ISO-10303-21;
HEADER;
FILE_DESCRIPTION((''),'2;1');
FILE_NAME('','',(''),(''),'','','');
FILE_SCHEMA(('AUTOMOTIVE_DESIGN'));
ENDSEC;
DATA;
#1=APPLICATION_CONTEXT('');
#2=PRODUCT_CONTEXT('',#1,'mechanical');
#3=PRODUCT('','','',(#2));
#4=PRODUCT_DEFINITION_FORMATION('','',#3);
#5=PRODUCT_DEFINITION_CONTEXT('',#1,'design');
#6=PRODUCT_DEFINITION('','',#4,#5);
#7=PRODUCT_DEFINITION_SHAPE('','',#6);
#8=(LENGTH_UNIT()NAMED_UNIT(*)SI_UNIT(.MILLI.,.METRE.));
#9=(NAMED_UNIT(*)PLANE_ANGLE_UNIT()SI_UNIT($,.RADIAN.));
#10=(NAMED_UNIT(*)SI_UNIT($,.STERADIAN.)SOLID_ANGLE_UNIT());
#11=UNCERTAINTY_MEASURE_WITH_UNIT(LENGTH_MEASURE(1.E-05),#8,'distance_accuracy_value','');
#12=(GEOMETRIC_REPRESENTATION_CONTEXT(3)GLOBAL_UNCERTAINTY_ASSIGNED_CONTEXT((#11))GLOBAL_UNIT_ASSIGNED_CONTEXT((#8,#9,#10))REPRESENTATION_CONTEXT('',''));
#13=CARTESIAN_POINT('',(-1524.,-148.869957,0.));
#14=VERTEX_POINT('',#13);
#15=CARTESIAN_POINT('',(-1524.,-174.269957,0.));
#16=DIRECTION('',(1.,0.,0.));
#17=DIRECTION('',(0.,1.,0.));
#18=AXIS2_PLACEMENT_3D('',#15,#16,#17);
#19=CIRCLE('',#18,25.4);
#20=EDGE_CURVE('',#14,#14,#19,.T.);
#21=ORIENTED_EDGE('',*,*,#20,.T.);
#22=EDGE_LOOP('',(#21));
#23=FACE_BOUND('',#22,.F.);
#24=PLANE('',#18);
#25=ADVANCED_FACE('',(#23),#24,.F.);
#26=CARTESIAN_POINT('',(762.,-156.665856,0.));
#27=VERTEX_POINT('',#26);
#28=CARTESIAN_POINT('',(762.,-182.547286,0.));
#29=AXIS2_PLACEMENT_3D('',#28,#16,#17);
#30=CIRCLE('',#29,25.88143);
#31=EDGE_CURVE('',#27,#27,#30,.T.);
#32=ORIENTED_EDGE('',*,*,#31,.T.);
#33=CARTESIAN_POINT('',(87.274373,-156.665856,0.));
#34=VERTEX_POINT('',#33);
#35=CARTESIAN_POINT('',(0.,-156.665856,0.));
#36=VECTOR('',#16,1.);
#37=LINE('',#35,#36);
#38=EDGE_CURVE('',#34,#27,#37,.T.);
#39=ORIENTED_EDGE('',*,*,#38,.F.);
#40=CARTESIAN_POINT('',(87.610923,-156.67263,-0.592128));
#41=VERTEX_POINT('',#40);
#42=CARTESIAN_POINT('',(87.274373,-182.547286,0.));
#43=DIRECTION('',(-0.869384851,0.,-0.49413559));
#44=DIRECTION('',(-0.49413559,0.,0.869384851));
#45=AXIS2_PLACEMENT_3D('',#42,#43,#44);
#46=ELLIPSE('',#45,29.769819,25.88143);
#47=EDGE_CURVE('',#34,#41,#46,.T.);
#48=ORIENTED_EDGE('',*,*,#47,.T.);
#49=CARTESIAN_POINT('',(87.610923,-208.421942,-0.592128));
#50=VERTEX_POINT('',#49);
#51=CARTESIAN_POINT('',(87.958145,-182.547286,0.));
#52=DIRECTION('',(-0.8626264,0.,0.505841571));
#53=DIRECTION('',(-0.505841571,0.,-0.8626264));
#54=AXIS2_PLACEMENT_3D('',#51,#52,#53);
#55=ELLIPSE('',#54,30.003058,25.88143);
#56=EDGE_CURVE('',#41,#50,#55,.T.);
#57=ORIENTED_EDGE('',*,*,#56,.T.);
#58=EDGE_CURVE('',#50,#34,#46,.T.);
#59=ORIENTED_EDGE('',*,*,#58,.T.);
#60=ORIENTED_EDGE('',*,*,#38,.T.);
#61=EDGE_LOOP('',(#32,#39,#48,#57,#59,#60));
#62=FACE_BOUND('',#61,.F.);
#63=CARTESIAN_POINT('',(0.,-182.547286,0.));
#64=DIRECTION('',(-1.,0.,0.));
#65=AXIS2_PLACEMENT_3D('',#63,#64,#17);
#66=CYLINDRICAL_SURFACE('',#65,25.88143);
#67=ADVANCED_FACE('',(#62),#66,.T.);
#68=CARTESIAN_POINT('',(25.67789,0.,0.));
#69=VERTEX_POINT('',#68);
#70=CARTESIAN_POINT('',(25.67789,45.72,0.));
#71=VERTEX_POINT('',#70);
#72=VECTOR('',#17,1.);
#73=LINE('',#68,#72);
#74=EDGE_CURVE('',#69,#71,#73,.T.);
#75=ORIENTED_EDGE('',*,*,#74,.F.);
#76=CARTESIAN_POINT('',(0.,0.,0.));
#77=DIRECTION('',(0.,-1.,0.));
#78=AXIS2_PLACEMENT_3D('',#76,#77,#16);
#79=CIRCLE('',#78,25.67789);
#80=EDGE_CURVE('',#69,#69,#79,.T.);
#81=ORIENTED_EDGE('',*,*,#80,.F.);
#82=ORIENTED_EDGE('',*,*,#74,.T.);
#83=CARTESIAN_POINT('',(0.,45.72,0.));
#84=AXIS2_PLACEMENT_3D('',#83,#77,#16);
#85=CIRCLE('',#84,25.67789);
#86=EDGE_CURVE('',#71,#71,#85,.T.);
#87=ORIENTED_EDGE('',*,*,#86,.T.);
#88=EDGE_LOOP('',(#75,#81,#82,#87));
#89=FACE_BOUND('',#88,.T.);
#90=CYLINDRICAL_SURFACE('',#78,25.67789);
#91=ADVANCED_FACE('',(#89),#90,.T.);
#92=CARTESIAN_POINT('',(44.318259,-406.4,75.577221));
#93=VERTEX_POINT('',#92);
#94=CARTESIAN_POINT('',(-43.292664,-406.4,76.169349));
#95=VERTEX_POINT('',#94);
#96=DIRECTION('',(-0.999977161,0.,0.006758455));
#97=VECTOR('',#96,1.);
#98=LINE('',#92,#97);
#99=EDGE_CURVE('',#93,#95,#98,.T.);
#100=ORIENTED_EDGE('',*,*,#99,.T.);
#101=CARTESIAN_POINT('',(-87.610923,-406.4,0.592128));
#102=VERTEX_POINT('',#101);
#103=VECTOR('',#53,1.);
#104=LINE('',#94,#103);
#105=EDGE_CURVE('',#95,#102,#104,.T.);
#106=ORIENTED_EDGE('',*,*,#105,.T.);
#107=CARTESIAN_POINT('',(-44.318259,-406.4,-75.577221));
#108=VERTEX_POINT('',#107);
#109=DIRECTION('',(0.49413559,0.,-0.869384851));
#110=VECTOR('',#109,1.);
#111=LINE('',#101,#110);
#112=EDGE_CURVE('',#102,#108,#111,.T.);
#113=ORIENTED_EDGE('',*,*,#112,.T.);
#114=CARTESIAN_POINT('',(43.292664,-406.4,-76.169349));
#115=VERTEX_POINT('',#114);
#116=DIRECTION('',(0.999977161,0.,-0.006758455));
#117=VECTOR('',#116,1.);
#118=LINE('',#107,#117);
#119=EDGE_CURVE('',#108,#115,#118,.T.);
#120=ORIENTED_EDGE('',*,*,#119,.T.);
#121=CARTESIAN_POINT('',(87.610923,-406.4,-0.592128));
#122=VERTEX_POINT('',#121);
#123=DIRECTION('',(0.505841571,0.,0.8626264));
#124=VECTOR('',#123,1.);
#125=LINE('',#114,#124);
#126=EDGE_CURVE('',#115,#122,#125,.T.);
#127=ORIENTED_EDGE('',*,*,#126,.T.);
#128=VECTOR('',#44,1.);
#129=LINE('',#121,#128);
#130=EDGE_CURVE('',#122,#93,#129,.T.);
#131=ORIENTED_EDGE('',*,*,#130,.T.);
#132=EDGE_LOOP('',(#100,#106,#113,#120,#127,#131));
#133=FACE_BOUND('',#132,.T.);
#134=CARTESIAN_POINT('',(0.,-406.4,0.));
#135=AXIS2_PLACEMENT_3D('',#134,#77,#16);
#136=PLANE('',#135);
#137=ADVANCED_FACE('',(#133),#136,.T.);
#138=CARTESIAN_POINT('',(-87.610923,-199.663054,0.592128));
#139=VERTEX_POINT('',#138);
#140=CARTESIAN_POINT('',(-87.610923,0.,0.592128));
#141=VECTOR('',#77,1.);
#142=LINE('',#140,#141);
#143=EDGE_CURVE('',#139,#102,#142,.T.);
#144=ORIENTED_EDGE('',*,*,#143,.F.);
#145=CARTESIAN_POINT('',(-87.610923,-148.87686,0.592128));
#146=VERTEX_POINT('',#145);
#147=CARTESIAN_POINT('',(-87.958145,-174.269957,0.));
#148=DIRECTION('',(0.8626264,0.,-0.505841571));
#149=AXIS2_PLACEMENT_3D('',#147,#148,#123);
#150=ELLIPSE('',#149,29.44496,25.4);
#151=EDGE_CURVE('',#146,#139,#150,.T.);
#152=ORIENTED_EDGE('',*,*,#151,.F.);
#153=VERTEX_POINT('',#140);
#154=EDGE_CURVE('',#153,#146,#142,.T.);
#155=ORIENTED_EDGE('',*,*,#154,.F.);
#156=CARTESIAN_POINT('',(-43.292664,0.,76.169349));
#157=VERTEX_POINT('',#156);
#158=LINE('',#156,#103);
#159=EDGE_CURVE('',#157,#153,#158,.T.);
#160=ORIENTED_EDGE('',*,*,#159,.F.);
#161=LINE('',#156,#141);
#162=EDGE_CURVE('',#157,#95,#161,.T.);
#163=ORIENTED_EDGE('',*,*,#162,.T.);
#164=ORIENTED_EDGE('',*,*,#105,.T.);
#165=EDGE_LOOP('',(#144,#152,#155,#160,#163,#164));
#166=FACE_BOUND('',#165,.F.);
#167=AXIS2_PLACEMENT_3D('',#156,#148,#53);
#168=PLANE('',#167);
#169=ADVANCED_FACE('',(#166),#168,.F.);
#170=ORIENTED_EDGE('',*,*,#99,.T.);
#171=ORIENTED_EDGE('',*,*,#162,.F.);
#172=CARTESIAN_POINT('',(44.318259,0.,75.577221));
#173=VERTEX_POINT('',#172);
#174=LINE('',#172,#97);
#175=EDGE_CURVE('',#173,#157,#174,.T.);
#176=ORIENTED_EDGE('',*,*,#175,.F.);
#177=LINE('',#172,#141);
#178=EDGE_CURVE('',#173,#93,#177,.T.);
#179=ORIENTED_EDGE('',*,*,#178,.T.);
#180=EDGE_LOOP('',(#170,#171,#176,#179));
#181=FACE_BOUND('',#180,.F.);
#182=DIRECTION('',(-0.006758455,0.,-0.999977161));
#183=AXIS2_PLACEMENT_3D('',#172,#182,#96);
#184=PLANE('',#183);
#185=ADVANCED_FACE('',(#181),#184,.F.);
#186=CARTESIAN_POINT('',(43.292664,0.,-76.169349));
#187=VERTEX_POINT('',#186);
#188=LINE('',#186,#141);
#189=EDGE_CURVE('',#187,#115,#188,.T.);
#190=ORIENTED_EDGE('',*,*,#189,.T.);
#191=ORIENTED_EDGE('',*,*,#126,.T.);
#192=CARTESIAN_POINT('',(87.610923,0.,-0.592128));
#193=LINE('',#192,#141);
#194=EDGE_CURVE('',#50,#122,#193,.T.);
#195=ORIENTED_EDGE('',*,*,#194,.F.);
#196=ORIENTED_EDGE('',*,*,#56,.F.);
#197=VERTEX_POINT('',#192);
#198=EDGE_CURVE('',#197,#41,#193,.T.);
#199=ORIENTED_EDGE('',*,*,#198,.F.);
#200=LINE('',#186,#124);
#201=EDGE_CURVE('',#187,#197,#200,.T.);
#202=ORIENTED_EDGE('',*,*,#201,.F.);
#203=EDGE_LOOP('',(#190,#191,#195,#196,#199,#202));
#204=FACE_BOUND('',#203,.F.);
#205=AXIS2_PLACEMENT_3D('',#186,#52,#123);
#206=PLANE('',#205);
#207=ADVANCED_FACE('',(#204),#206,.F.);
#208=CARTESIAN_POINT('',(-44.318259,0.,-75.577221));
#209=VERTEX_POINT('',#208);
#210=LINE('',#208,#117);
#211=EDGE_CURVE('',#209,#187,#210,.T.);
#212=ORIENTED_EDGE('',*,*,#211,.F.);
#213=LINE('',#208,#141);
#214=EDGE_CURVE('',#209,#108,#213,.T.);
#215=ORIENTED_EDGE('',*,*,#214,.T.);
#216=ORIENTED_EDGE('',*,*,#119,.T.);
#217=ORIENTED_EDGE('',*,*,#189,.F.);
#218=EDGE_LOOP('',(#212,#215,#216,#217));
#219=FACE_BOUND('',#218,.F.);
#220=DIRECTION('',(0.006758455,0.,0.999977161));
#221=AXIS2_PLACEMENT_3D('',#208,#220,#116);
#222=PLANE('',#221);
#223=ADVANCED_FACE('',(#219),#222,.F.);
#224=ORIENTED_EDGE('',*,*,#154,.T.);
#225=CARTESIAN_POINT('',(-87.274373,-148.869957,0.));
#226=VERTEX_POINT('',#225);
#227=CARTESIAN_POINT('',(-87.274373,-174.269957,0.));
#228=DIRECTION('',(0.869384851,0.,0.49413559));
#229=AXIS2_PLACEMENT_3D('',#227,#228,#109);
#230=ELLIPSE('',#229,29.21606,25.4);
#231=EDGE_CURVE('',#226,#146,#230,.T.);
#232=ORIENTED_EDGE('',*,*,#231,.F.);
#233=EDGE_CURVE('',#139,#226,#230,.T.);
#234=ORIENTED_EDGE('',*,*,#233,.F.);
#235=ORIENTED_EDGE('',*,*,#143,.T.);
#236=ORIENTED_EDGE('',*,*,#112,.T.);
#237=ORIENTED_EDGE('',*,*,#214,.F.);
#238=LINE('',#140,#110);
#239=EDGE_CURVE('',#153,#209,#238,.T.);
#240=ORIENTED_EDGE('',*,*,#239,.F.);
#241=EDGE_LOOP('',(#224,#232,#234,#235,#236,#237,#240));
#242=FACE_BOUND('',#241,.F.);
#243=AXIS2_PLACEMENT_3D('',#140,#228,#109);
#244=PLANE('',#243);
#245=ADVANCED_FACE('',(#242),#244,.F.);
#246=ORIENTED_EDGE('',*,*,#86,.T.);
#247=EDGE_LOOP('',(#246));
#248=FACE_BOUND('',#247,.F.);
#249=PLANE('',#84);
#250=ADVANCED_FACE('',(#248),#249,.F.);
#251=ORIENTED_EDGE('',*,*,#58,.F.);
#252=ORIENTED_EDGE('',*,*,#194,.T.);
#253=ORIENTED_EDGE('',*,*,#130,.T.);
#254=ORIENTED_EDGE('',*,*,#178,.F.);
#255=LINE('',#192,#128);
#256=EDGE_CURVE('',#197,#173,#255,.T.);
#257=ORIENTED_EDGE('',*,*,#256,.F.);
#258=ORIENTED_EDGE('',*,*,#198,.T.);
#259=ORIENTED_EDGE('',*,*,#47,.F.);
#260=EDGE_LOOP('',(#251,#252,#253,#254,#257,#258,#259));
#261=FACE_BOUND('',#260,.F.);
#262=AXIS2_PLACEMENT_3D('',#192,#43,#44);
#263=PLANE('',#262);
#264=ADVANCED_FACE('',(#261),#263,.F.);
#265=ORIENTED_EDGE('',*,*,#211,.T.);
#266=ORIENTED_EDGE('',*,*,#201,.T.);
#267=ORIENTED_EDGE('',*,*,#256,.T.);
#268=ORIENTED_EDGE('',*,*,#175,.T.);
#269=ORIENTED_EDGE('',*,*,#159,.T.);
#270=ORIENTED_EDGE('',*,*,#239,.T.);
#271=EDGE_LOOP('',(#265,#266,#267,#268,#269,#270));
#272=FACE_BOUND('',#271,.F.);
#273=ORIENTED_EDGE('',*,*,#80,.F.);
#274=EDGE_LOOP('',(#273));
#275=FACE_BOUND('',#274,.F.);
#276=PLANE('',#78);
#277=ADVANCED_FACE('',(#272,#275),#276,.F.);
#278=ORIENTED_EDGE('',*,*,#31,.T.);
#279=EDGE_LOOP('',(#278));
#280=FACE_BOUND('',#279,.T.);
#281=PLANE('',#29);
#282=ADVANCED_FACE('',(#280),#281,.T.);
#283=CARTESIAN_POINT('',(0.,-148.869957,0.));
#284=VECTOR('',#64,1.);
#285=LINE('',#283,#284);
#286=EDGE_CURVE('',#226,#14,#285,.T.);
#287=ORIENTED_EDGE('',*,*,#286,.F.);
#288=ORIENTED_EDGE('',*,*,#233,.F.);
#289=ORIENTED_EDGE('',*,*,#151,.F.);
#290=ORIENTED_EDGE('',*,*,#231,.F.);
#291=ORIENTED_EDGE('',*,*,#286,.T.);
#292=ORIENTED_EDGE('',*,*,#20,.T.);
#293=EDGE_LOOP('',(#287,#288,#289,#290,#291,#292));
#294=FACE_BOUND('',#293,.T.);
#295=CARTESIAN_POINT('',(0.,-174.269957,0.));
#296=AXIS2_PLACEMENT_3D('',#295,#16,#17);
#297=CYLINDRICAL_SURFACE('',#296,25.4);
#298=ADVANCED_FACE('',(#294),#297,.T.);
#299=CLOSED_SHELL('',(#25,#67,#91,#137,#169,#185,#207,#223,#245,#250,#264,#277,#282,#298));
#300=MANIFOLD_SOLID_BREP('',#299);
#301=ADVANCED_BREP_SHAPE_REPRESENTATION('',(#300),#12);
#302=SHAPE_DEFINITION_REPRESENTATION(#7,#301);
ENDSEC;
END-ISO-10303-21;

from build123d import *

# Parameters (mm, degrees)
F1_DEPTH = 406.4
F2_R     = 25.88143
F3_DEPTH = 762
F4_R     = 25.4
F5_DEPTH = 1524
F6_R     = 25.67789
F7_DEPTH = 45.72


with BuildPart() as f1:
    # F0 (on Front) → F1 (new body)
    with BuildSketch(Plane.XZ):
        Polygon((43.292664, -76.169349), (87.610923, -0.592128), (44.318259, 75.577221), (-43.292664, 76.169349), (-87.610923, 0.592128), (-44.318259, -75.577221), align=None)
    extrude(amount=F1_DEPTH)

    # F2 (on Right) → F3 (join)
    with BuildSketch(Plane.YZ):
        with Locations((-182.547286, 0)):
            Circle(F2_R)
    extrude(amount=F3_DEPTH)

    # F4 (on Right) → F5 (join)
    with BuildSketch(Plane.YZ):
        with Locations((-174.269957, 0)):
            Circle(F4_R)
    extrude(amount=-F5_DEPTH)

    # F6 (on Front) → F7 (join)
    with BuildSketch(Plane.XZ):
        Circle(F6_R)
    extrude(amount=-F7_DEPTH)


solid = f1.part
